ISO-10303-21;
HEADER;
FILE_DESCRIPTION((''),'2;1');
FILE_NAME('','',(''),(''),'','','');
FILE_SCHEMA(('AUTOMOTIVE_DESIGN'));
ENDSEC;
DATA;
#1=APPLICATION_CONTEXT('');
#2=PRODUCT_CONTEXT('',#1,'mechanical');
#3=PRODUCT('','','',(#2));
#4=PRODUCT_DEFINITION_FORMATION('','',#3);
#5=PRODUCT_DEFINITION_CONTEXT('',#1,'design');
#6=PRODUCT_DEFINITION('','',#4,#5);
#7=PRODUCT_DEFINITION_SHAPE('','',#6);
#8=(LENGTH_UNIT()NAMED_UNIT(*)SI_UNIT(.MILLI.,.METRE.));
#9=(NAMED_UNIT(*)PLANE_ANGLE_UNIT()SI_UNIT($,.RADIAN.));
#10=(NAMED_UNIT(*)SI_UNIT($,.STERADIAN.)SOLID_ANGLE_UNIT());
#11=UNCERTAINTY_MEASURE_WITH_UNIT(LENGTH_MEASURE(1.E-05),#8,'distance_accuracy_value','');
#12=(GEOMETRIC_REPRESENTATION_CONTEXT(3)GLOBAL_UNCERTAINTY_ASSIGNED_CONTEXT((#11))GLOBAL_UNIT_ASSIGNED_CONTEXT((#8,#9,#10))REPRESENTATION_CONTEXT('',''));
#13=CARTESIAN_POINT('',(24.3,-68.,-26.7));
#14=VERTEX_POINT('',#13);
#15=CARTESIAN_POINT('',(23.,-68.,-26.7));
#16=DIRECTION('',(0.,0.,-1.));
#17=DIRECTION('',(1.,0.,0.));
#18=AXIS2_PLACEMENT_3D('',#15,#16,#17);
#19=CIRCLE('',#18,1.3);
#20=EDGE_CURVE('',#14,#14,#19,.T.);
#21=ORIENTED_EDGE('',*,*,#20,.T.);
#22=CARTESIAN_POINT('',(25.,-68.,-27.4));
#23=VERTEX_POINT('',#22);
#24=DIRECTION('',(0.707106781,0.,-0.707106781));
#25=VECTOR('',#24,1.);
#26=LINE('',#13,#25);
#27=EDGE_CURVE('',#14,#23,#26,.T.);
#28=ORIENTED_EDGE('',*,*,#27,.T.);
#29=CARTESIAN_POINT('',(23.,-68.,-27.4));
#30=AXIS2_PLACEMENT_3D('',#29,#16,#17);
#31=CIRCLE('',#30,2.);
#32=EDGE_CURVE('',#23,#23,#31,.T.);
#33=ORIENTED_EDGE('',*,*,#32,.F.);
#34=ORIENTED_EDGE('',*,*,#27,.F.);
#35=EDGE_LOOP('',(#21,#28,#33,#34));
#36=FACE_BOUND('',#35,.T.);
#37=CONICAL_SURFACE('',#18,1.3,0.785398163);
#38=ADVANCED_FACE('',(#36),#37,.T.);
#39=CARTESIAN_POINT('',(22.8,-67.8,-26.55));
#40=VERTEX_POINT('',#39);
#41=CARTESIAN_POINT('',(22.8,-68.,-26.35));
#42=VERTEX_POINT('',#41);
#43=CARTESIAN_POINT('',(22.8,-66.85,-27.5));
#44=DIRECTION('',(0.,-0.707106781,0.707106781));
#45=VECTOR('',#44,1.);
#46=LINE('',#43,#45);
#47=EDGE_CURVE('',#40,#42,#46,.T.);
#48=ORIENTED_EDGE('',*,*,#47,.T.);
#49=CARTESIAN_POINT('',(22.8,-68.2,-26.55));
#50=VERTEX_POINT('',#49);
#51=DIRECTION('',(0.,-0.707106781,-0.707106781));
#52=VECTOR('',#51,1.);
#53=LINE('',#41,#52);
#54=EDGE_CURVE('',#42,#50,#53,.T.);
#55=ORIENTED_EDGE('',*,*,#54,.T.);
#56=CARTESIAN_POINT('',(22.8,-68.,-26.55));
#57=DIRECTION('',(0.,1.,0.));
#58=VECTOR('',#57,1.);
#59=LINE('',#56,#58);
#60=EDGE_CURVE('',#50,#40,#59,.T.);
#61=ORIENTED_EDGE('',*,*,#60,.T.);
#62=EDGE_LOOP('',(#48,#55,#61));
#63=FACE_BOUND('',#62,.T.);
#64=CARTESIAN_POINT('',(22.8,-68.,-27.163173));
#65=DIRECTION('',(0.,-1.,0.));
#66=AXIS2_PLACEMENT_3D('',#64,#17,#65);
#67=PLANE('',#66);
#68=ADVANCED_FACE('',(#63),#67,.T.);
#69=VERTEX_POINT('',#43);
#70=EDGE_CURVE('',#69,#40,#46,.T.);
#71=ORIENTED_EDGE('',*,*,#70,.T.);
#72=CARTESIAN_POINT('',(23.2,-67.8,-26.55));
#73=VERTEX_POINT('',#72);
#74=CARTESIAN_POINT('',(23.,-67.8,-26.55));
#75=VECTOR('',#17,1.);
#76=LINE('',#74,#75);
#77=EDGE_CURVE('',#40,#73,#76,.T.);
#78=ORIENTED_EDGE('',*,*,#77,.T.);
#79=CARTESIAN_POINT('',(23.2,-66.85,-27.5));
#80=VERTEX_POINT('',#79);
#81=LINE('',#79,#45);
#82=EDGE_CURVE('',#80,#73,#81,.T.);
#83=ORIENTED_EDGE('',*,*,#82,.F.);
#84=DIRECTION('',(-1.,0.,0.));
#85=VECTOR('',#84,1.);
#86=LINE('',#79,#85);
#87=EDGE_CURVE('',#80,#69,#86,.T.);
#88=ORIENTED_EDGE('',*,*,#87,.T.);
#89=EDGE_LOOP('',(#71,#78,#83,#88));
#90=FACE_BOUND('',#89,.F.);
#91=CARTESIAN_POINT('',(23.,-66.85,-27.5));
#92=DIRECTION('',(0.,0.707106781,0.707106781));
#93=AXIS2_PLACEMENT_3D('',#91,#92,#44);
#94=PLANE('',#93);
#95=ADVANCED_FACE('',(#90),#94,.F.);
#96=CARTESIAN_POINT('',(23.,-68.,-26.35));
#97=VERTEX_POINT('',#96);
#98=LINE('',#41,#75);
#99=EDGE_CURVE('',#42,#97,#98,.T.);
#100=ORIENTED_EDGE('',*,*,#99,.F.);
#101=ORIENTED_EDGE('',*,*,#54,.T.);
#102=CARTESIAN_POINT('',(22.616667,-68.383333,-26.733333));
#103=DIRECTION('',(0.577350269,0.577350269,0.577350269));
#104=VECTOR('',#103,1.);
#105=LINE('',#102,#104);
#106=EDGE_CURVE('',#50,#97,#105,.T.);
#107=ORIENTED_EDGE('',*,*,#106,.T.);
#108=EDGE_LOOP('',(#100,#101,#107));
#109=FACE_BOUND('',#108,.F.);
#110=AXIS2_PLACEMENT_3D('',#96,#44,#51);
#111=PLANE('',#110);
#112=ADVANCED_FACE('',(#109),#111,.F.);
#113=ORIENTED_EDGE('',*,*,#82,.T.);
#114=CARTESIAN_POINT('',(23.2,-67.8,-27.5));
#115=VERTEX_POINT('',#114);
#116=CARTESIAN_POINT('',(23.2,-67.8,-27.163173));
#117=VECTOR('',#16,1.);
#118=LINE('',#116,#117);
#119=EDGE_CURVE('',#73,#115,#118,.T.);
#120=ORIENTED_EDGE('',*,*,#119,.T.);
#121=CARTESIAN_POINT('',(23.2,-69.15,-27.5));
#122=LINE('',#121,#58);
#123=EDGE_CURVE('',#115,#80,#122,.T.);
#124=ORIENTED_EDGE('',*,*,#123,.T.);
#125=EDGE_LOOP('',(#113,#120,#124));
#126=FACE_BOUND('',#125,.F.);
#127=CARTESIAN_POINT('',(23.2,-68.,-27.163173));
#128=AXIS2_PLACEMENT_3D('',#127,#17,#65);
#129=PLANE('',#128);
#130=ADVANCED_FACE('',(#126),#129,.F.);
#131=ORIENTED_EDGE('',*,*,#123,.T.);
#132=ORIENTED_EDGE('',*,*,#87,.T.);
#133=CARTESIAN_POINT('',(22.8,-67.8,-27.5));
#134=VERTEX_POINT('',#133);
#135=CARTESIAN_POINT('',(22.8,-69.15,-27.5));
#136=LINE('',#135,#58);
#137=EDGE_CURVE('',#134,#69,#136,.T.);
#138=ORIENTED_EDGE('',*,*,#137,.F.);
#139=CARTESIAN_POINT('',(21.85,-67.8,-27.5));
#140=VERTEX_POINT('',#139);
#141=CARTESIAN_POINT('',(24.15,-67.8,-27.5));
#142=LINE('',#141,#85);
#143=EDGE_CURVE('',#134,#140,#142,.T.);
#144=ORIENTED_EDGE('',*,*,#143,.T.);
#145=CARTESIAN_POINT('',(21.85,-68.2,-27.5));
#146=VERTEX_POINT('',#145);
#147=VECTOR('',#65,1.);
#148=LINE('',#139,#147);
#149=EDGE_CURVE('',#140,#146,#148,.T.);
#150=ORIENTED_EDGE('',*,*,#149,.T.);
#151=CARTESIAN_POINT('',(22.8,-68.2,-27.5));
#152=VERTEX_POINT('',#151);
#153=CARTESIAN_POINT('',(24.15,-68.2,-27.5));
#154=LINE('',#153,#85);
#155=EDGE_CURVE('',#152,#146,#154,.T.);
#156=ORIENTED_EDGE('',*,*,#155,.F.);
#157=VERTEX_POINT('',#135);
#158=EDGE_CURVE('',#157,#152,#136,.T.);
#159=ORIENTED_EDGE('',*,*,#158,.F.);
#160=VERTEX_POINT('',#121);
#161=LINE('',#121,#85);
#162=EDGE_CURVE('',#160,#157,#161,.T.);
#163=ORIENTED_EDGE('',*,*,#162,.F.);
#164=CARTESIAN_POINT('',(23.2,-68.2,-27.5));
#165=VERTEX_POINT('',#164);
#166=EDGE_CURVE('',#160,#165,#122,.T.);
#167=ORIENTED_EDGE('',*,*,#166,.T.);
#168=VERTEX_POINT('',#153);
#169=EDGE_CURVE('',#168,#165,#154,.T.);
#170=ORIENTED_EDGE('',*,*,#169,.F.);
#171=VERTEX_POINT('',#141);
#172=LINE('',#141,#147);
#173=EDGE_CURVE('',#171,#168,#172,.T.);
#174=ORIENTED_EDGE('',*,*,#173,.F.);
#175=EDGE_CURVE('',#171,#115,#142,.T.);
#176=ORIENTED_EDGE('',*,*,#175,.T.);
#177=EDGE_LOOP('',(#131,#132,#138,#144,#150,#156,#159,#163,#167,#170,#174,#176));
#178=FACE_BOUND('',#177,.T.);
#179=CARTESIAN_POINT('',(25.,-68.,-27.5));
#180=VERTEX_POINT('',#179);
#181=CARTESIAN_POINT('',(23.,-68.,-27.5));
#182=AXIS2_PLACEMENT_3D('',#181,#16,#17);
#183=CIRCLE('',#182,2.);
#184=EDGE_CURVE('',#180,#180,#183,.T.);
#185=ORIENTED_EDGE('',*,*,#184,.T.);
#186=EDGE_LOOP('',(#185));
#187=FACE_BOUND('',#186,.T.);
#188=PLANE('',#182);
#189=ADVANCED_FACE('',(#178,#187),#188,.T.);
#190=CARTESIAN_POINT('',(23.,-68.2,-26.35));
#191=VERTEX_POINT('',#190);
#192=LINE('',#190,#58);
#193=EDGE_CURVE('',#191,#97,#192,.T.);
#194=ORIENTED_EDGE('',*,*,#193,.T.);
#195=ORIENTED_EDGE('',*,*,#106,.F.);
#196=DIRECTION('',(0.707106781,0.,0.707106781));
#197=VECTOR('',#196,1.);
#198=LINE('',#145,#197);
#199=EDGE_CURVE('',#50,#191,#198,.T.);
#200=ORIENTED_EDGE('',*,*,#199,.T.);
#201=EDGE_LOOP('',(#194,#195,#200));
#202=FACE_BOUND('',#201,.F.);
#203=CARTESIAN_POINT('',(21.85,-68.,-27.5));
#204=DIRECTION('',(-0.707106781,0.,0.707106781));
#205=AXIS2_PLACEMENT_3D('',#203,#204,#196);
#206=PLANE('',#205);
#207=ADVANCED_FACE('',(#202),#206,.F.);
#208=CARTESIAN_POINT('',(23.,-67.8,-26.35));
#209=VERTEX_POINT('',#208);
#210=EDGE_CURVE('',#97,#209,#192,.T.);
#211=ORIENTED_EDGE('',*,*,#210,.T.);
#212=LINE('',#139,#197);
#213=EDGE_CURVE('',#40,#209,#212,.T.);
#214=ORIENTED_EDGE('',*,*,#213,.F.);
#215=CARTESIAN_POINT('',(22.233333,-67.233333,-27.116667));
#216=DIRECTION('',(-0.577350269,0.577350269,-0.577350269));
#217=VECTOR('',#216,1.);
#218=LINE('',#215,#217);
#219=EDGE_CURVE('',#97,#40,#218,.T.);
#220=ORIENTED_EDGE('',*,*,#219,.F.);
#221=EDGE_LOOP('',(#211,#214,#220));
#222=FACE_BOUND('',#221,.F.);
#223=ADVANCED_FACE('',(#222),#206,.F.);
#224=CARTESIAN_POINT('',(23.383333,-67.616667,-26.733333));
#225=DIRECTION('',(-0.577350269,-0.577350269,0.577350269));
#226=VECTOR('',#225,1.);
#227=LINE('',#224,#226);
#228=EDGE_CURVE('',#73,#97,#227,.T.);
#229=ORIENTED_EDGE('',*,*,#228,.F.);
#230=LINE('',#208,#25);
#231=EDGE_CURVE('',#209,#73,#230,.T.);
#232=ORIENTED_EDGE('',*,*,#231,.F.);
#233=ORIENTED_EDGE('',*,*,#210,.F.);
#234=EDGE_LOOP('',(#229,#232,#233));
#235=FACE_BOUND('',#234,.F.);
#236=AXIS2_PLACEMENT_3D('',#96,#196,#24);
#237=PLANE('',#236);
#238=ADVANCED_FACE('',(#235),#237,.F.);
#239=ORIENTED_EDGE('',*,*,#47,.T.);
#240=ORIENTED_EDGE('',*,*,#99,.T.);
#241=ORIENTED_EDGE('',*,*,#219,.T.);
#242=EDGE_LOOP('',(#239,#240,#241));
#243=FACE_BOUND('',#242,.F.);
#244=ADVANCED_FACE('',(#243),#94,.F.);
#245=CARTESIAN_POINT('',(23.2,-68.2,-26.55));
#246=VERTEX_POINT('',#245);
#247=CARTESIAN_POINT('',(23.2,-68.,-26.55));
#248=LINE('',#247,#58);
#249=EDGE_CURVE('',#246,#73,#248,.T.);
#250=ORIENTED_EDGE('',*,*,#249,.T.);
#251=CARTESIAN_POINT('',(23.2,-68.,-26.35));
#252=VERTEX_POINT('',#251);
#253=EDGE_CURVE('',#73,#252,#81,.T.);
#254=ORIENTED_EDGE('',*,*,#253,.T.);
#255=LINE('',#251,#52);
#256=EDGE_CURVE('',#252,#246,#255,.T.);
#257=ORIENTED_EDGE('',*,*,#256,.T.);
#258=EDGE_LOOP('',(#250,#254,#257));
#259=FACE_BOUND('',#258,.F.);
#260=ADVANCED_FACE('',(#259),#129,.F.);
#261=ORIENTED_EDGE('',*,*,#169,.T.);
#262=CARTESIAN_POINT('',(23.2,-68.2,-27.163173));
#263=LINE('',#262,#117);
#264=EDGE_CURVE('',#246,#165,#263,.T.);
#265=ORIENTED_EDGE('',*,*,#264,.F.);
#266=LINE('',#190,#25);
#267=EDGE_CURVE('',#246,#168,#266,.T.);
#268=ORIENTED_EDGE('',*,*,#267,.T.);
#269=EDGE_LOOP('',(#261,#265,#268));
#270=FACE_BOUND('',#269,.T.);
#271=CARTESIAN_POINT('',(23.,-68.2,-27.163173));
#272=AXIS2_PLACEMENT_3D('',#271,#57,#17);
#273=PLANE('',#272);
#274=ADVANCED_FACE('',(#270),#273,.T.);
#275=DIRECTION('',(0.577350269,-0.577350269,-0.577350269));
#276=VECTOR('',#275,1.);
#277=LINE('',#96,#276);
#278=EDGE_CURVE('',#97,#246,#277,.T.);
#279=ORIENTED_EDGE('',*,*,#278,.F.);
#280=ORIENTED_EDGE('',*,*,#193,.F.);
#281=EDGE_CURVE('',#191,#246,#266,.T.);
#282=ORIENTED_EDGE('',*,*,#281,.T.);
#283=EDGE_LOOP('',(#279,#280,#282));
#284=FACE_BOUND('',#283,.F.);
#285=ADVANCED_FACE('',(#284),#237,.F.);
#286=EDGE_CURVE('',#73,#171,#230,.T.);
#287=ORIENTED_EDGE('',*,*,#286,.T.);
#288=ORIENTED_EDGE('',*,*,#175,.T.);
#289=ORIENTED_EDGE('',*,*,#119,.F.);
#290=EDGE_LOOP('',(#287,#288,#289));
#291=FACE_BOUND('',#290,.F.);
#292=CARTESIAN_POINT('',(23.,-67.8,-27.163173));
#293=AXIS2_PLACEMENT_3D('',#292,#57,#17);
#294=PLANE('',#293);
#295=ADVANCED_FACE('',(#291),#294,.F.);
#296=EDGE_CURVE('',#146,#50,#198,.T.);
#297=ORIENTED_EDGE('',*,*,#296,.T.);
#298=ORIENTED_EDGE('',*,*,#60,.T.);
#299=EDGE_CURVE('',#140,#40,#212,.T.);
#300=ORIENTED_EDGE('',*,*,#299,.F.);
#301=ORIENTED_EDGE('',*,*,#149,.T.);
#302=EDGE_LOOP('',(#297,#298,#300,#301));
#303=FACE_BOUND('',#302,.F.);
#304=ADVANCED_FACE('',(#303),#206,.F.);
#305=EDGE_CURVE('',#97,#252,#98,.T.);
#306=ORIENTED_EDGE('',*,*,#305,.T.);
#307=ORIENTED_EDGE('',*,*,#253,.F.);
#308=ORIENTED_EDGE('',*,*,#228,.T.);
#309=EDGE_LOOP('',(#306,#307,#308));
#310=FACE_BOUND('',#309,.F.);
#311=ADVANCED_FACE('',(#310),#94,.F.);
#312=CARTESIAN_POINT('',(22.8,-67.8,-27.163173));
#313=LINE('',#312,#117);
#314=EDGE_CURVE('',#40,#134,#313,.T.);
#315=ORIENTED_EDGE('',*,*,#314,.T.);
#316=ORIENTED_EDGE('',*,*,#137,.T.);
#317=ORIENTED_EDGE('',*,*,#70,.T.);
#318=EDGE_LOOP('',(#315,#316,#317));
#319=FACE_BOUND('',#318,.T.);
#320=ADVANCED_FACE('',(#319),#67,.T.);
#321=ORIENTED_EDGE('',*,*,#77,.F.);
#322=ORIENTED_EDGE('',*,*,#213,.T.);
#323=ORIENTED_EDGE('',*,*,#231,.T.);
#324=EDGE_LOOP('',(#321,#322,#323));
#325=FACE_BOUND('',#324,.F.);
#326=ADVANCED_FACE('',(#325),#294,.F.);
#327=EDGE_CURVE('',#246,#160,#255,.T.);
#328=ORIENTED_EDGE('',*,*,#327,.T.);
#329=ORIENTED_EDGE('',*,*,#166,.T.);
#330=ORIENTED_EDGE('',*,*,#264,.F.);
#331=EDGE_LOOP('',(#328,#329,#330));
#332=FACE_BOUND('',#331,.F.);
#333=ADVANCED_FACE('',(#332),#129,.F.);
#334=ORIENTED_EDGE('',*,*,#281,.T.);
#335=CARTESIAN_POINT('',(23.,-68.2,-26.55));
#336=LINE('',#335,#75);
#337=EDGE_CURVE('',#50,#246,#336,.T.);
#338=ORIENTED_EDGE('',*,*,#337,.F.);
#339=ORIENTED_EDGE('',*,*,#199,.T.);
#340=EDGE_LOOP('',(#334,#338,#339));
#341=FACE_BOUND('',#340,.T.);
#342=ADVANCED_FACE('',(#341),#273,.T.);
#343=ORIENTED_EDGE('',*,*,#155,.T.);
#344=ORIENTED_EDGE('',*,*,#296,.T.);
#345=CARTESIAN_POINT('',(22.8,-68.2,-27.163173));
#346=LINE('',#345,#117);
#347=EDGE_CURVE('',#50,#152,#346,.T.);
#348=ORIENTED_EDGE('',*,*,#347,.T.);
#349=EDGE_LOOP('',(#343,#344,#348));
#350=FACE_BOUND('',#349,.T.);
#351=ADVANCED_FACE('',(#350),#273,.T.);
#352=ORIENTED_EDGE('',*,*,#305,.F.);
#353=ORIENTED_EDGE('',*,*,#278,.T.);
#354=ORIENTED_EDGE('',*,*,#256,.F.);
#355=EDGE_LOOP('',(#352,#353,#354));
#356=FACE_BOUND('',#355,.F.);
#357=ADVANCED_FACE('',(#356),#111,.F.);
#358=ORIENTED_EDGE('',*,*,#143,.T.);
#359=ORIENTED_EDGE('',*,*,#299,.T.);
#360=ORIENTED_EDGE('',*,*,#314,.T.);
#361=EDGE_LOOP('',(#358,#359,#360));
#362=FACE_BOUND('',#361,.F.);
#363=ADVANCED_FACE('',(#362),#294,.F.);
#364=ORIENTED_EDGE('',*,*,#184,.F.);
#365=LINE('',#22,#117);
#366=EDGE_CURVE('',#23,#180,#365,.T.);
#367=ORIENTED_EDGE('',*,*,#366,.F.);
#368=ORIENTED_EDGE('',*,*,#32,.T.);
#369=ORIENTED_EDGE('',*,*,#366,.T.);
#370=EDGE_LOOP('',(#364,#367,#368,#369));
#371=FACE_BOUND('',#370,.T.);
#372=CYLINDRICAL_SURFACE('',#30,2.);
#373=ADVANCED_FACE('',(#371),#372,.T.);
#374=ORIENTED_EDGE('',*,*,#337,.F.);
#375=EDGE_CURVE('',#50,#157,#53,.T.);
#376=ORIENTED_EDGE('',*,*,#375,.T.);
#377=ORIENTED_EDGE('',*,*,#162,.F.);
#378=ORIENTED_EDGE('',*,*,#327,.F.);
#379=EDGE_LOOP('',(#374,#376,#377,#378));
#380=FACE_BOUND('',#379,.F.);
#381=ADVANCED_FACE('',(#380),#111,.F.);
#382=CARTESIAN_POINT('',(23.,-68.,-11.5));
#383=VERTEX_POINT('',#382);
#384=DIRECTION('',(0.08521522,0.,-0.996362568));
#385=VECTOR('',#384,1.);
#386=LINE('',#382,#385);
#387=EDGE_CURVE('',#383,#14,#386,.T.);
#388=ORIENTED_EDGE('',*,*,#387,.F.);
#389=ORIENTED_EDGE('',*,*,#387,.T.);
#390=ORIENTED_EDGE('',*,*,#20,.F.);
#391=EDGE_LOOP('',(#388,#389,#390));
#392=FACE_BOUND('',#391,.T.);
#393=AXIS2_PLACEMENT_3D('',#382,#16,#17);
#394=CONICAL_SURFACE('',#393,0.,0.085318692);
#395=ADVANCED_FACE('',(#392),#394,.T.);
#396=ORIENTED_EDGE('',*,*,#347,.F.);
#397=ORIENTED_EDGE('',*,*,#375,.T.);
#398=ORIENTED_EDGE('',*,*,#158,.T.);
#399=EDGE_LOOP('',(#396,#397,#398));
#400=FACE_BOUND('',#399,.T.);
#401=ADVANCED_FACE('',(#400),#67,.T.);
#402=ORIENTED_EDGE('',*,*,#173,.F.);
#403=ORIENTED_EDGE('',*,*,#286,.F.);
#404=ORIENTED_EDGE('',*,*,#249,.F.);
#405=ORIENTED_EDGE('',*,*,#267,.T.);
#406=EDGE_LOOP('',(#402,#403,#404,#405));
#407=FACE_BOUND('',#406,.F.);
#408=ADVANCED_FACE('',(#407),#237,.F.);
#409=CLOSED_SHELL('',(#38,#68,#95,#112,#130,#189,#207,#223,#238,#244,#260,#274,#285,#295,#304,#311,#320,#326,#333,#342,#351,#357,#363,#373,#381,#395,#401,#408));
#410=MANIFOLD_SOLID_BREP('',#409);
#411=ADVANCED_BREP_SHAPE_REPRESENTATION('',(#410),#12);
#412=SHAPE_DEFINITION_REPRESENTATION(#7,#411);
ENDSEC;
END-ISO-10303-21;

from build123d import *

# Parameters (mm, degrees)
POCKET002_DEPTH         = 0.2
POLARPATTERN001_COUNT   = 2
POLARPATTERN001_ANGLE   = 90
BODY008_PLACEMENT_ANGLE = 180


with BuildPart() as part:
    # Sketch026 → Revolution005 (revolve)
    with BuildSketch(Plane.XZ):
        Polygon((0, 0), (0, -16), (1.3, -0.8), (2, -0.1), (2, 0), align=None)
    revolve(axis=Axis((0, 0, 0), (0, 0, 1)))

    # Sketch027 → Pocket002 (cut, symmetric)
    with BuildSketch(Plane.XZ):
        Polygon((-1.15, 0), (0, -1.15), (1.15, 0), align=None)
    pocket002 = extrude(amount=POCKET002_DEPTH, both=True, mode=Mode.SUBTRACT)

    # PolarPattern001: Pocket002 ×2 about axis
    polarpattern001_axis = Axis((0, 0, 0), (0, 0, 1))
    for i in range(1, POLARPATTERN001_COUNT):
        add(pocket002.rotate(polarpattern001_axis, i * POLARPATTERN001_ANGLE / (POLARPATTERN001_COUNT - 1)), mode=Mode.SUBTRACT)


with BuildPart() as part_1:
    # Body008 placement: moved
    add(part.part.moved(Location((23, -68, -27.5))).rotate(Axis((23, -68, -27.5), (1, 0, 0)), BODY008_PLACEMENT_ANGLE))


solid = part_1.part
